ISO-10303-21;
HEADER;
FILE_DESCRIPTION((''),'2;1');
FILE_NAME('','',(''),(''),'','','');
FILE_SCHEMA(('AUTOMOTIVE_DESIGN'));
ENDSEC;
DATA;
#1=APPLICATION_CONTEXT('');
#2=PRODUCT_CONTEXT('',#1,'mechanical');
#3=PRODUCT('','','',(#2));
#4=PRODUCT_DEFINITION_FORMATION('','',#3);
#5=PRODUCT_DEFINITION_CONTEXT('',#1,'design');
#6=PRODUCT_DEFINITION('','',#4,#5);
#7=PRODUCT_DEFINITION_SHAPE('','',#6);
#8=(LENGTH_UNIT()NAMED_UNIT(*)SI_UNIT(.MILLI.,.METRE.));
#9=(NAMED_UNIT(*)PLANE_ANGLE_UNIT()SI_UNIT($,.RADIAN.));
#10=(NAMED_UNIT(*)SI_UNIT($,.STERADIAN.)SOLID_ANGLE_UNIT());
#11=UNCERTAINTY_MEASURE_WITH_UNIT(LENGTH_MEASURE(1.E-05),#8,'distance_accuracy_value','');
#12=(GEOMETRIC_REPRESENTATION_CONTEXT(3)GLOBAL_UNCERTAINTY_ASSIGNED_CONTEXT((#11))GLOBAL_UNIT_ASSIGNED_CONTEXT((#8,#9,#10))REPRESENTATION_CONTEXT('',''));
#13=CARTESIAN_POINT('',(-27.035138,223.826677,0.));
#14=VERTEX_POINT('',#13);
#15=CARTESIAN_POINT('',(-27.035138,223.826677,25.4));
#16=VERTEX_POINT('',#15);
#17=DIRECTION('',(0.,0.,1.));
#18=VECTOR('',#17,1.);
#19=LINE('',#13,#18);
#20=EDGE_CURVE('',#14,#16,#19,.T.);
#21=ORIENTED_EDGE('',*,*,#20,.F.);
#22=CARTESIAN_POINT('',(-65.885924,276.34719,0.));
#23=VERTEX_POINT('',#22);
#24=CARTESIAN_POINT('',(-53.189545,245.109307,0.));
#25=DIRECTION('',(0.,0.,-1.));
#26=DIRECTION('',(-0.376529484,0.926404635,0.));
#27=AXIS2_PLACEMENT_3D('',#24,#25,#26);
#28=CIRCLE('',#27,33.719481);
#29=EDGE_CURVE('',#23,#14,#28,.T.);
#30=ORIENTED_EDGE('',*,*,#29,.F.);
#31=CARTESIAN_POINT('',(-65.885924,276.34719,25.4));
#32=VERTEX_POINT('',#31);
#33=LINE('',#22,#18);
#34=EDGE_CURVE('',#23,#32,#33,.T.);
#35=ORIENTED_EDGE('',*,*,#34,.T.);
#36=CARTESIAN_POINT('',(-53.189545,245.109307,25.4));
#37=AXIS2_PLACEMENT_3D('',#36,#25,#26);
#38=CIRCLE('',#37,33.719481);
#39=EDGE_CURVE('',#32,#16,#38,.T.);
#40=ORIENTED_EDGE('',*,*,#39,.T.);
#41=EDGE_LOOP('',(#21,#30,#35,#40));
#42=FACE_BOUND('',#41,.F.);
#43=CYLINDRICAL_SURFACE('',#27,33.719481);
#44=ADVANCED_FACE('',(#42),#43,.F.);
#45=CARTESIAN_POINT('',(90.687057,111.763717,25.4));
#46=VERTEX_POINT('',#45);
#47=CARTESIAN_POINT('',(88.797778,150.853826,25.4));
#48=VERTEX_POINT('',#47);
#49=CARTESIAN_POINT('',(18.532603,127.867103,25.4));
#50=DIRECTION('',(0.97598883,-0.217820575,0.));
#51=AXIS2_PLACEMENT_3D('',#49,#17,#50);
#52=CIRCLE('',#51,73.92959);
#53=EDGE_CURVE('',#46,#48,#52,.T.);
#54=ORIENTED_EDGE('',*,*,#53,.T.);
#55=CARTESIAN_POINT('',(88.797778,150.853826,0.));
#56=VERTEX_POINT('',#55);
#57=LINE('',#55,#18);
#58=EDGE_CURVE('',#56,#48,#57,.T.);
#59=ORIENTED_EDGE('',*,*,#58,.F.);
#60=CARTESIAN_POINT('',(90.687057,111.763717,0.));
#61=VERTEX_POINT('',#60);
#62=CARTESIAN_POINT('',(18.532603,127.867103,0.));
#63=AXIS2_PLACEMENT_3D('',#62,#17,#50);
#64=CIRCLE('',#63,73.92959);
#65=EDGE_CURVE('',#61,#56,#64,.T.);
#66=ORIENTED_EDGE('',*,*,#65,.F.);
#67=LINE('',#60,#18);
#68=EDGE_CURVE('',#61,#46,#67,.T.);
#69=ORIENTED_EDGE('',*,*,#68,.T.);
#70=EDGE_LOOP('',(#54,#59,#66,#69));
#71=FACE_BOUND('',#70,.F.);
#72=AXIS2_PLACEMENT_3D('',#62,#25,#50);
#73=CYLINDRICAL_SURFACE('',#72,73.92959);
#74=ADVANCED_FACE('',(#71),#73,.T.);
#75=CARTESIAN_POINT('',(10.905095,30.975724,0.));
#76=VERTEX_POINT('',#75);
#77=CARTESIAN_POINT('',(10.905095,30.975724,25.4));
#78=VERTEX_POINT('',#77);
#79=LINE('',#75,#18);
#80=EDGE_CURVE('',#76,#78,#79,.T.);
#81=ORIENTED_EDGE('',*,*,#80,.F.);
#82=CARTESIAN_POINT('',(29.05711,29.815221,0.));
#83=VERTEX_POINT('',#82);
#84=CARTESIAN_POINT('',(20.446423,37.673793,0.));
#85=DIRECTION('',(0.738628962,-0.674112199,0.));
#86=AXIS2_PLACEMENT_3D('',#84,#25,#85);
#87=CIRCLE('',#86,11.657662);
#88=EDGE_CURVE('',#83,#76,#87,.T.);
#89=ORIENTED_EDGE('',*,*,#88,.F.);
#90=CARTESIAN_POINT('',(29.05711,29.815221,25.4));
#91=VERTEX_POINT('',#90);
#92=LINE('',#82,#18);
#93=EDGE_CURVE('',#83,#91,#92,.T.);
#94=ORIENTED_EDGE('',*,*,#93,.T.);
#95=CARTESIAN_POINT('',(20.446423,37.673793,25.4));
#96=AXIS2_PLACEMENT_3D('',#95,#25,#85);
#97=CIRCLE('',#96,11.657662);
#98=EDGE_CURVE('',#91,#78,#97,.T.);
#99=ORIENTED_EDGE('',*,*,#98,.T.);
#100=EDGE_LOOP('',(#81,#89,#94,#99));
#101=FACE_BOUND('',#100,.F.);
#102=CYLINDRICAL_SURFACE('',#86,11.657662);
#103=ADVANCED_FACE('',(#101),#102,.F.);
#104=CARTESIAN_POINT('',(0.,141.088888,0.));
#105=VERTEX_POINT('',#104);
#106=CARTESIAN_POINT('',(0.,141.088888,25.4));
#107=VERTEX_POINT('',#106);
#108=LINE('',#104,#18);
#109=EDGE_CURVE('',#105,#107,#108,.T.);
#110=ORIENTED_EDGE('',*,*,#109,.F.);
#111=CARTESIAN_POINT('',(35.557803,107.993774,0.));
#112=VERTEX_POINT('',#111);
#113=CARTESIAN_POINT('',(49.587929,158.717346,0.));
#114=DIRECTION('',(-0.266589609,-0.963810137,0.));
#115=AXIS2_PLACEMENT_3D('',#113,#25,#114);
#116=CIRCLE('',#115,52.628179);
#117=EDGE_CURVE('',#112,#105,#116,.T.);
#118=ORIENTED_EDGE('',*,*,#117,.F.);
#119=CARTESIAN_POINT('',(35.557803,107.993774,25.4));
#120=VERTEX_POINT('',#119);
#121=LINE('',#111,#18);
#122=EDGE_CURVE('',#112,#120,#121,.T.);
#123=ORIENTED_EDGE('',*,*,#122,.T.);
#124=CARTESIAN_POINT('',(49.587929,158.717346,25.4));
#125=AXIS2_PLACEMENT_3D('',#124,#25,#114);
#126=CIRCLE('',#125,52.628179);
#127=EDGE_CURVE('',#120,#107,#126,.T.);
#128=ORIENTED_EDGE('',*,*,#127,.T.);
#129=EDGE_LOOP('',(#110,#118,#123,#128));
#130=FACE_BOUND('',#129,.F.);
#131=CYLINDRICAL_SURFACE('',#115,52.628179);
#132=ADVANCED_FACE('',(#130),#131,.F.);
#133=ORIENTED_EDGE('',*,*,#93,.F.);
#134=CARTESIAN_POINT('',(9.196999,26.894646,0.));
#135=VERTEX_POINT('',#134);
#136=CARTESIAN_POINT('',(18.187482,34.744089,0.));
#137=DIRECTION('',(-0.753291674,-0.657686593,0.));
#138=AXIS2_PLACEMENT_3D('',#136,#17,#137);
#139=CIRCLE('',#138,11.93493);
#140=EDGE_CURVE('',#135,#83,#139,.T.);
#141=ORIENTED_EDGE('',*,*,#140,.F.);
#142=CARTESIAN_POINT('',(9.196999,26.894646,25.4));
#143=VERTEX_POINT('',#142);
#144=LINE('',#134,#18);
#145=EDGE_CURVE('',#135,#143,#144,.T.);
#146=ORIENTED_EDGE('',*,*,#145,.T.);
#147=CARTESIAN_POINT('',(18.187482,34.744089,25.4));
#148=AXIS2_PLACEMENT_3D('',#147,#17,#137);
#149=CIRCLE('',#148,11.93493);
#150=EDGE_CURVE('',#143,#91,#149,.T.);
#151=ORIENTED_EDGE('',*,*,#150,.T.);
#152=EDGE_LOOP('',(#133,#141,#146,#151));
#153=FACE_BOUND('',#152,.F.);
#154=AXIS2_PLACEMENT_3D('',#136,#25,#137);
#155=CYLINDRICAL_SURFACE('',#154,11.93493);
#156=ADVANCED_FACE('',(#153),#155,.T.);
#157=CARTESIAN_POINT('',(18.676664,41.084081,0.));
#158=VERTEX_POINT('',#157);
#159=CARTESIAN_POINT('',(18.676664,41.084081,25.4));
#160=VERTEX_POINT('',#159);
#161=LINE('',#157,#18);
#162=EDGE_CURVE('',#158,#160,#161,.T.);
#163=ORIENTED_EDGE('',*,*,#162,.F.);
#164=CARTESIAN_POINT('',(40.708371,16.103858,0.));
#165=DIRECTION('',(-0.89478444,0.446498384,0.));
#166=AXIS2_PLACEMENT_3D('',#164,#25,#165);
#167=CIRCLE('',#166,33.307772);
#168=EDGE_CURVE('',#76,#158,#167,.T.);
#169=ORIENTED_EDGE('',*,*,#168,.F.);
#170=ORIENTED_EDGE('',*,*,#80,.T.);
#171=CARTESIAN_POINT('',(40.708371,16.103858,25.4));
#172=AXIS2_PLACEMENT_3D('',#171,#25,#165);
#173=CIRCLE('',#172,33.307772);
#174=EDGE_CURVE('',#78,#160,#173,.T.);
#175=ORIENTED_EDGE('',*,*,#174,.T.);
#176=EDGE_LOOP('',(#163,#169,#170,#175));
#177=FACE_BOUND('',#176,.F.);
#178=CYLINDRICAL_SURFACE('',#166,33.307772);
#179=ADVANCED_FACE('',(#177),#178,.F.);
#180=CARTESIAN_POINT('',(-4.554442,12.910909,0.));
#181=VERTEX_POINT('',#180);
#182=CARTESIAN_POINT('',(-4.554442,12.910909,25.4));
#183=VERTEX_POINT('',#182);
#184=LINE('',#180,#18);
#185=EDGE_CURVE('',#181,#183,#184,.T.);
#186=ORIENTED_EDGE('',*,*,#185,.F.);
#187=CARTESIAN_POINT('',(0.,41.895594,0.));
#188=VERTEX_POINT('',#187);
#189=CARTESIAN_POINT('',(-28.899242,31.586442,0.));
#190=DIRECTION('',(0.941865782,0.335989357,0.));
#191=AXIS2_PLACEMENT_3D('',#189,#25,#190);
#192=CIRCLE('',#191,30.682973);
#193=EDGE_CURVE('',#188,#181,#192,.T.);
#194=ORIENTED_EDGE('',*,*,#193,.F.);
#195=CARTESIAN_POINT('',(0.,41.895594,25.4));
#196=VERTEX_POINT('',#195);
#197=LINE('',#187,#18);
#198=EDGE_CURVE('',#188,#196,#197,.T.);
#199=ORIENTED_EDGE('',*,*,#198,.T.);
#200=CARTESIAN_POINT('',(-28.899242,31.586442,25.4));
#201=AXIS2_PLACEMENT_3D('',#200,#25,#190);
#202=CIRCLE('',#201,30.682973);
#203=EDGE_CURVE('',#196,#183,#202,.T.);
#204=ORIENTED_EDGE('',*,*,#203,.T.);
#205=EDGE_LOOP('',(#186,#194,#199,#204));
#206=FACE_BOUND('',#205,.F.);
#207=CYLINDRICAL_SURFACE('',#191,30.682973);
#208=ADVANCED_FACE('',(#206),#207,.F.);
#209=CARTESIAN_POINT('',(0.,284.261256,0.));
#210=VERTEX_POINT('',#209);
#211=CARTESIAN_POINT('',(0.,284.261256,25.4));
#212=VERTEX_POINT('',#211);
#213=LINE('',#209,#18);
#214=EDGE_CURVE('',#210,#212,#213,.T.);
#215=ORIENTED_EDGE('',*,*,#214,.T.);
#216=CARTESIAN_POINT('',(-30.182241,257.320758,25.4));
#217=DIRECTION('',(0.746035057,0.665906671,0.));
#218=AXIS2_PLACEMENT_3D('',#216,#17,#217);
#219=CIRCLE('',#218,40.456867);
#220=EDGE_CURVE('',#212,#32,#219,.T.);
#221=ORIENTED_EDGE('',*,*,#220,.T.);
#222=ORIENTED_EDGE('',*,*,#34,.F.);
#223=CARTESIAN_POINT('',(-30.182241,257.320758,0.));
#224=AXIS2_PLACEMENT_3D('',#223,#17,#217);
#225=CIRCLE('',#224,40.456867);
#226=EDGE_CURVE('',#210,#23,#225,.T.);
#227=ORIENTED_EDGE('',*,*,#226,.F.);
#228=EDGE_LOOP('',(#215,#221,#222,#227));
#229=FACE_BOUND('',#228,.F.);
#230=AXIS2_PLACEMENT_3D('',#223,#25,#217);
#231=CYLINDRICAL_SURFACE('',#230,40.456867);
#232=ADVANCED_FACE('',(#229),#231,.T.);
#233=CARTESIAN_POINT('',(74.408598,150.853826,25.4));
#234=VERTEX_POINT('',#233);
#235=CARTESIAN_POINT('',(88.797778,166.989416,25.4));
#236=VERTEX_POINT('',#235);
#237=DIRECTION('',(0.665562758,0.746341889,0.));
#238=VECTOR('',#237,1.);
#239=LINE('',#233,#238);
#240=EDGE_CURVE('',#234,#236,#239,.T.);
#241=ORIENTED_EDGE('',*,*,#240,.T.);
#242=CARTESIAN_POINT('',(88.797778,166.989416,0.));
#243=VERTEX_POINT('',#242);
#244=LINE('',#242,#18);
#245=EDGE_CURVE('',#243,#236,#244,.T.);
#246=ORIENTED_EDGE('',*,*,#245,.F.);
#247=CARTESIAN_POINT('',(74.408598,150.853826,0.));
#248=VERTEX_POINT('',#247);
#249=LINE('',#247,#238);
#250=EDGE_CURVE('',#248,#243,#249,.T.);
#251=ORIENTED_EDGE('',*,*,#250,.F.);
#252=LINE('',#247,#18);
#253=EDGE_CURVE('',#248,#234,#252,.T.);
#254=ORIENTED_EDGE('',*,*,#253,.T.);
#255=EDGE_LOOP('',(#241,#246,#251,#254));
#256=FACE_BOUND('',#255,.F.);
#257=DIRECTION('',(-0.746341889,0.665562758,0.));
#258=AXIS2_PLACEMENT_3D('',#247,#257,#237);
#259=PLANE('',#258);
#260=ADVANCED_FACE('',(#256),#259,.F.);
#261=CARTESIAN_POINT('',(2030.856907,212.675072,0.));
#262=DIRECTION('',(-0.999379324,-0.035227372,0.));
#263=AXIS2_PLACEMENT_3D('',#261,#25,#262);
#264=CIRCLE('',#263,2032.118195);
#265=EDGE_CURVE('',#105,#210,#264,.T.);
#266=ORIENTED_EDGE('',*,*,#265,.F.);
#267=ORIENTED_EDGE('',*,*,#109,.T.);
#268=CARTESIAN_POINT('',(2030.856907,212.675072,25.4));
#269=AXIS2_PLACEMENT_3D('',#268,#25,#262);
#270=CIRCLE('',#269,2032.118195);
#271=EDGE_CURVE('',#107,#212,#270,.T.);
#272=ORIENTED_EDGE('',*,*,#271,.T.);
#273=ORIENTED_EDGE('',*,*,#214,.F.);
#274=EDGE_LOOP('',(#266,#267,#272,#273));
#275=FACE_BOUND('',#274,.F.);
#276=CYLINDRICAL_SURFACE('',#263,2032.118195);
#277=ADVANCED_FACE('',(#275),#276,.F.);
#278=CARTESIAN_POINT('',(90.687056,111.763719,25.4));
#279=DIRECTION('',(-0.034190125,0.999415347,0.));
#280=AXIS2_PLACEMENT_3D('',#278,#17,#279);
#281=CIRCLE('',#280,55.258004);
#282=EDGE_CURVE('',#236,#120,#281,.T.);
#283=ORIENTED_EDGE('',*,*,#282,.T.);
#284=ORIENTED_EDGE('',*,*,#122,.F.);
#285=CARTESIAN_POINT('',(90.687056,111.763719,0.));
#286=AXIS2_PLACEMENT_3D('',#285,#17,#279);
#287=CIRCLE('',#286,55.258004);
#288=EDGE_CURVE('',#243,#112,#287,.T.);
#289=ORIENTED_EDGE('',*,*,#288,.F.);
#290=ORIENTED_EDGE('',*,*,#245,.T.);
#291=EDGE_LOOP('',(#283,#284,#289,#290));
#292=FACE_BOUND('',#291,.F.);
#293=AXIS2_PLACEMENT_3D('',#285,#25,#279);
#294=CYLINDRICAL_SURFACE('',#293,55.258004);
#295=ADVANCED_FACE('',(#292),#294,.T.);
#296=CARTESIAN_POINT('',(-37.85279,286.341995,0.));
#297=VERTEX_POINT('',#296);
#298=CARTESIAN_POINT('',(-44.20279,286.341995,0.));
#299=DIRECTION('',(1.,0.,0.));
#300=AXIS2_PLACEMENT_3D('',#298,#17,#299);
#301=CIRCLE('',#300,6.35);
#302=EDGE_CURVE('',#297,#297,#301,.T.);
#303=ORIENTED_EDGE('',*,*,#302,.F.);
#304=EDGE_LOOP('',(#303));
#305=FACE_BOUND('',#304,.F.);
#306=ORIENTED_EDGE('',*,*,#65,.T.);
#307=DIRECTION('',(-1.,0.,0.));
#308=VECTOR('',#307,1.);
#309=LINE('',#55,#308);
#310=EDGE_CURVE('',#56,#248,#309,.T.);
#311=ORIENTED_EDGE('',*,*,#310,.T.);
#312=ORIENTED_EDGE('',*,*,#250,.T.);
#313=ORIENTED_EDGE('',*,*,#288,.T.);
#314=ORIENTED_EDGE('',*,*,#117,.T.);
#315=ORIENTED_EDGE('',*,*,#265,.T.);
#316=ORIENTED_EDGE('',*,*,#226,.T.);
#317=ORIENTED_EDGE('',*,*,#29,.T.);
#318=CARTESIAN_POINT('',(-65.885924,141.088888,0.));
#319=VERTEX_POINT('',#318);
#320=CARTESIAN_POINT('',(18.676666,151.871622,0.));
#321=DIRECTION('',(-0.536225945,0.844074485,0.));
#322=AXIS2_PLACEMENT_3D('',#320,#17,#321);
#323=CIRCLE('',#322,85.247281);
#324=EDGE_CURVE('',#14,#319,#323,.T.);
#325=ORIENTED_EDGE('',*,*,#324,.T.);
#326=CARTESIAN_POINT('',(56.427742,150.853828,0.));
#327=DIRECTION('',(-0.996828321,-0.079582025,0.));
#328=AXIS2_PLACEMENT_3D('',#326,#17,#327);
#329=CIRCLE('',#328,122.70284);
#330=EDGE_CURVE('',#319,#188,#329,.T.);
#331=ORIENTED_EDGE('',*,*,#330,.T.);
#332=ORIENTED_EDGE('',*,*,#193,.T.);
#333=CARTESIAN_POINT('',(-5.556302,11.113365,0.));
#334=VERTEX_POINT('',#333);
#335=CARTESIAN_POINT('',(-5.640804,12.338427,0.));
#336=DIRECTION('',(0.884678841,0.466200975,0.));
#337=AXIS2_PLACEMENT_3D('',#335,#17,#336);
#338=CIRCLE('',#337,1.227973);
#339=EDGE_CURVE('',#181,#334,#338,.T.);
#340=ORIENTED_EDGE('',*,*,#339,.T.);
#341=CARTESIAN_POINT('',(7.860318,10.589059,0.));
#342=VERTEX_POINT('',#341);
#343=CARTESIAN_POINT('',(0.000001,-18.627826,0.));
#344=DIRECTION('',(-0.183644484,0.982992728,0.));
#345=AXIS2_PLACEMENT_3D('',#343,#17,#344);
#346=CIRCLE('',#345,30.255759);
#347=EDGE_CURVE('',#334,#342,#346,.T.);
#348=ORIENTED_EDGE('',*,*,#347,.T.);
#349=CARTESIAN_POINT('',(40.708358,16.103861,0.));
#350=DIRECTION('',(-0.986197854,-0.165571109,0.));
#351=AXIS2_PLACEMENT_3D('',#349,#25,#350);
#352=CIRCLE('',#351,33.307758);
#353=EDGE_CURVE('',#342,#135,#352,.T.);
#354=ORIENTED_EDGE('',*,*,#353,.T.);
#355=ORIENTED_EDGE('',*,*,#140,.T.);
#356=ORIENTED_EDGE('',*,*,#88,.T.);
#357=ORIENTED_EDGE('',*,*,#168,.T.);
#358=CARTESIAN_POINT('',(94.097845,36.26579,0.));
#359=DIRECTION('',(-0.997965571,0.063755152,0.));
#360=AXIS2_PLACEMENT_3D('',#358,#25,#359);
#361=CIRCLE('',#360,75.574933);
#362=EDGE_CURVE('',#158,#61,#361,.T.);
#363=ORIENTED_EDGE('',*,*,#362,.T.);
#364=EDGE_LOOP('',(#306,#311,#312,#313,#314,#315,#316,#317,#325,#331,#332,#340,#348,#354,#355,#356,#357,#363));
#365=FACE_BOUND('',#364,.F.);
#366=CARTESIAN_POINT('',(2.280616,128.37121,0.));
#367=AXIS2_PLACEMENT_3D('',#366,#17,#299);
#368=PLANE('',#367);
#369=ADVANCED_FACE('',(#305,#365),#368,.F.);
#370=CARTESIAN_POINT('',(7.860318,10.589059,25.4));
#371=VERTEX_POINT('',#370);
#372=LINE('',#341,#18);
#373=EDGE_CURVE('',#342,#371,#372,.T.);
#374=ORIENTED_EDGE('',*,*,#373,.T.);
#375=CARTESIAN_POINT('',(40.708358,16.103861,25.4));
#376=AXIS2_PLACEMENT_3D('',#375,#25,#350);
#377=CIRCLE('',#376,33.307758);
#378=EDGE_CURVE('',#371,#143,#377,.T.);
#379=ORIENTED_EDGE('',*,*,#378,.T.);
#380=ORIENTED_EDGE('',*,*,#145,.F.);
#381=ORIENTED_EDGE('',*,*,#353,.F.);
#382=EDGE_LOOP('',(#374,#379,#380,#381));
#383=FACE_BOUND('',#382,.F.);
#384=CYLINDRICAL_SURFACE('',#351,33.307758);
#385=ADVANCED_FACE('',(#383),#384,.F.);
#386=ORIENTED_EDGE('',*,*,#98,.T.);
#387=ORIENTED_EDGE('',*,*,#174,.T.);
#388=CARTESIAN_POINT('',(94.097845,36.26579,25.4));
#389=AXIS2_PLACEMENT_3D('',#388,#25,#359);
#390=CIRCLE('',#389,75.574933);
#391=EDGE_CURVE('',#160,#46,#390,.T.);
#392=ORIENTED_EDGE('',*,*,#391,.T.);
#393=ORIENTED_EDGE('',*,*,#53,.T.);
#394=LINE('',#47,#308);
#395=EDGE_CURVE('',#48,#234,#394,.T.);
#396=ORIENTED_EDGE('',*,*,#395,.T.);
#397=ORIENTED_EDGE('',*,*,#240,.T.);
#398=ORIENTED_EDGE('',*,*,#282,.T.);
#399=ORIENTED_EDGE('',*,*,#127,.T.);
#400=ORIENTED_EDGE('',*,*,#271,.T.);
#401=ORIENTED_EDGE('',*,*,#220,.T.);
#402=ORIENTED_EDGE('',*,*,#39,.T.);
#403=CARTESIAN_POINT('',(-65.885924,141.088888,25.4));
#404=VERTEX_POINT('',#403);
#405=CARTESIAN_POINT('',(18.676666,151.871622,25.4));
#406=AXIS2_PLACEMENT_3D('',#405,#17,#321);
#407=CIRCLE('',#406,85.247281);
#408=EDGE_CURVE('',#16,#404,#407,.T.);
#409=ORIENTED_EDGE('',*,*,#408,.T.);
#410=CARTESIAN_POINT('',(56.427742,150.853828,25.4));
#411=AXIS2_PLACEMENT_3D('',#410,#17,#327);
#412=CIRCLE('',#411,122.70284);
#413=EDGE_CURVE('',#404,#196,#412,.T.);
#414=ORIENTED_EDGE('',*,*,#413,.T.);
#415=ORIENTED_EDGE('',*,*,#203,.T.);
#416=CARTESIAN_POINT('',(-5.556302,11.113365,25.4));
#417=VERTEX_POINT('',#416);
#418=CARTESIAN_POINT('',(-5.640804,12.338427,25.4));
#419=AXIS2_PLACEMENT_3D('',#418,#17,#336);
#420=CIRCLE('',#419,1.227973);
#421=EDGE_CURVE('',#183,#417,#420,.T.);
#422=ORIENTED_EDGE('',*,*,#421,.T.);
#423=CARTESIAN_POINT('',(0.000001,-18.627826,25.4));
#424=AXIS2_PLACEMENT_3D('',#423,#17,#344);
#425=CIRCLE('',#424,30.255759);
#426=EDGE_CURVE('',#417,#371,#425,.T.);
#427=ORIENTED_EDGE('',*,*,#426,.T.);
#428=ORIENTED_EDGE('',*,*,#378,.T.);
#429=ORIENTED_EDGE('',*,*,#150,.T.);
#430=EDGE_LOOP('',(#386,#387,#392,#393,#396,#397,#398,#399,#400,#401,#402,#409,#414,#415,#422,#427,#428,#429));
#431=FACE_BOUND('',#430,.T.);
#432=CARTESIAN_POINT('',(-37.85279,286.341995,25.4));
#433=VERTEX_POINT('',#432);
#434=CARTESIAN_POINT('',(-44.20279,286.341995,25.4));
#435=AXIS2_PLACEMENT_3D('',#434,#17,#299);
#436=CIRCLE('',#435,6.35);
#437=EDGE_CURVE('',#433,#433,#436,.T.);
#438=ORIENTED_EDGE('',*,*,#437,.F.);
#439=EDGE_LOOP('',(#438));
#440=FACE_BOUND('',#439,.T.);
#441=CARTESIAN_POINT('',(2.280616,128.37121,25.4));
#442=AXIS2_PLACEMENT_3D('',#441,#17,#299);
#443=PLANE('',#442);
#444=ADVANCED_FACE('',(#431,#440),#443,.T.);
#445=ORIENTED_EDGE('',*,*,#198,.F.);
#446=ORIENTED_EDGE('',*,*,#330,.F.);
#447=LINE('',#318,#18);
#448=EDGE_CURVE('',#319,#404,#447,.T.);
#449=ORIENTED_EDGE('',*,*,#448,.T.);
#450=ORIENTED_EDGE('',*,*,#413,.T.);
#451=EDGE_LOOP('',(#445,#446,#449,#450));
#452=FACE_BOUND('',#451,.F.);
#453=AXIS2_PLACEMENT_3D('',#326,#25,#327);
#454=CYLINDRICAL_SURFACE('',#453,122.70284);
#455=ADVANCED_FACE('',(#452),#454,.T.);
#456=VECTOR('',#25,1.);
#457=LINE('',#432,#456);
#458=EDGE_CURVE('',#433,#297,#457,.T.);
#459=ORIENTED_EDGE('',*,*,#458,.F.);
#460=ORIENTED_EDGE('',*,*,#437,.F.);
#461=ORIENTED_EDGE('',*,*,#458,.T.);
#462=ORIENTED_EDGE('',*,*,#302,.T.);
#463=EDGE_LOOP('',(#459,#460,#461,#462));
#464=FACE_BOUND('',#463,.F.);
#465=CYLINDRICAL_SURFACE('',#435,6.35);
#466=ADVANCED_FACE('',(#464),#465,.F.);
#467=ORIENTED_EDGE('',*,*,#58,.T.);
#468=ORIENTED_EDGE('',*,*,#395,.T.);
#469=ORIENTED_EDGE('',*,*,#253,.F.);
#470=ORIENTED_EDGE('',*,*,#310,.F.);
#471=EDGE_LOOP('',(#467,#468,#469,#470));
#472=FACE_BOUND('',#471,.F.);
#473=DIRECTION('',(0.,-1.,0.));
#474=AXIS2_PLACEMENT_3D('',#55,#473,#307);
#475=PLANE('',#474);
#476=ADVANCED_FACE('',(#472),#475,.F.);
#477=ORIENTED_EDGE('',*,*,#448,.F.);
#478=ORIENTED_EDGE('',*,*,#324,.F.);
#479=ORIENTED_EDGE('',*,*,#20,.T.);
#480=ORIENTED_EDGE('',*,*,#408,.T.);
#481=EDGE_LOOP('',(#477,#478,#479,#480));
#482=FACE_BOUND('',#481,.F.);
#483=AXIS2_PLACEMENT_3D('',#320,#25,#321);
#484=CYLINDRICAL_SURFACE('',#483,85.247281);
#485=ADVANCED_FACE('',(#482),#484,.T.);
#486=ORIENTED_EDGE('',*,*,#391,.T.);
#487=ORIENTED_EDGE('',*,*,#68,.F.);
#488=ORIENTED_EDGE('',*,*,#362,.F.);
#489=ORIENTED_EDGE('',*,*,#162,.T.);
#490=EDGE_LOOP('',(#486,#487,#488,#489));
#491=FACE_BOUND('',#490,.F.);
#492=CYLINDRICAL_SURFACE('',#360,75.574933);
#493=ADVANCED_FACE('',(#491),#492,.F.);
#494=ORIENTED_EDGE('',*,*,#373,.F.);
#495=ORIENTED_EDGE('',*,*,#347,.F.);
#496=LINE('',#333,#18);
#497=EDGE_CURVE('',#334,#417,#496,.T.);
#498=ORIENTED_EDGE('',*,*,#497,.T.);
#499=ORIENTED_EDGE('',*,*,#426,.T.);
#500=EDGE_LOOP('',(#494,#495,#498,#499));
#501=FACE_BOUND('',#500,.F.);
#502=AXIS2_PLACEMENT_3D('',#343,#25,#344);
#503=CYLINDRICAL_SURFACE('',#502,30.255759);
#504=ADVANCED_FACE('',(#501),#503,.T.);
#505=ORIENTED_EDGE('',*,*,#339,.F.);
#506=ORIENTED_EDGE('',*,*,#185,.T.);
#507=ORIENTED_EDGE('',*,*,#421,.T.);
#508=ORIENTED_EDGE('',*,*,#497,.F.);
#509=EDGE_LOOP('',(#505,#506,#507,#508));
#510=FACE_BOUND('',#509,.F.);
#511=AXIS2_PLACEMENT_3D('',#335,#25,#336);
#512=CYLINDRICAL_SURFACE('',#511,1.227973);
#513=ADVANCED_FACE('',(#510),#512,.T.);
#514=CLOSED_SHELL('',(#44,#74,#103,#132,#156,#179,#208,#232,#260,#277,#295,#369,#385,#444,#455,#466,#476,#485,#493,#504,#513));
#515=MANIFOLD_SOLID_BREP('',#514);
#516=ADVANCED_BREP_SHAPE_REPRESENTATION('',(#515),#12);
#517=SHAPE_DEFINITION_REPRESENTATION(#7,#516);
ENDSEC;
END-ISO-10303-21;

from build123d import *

# Parameters (mm, degrees)
F1_DEPTH = 25.4
F2_R     = 6.35
F3_DEPTH = 25.4


with BuildPart() as f1:
    # F0 (on Top) → F1 (new body)
    with BuildSketch(Plane.XY):
        with BuildLine():
            ThreePointArc((0, 41.895594), (1.411812, 26.823584), (-4.554442, 12.910909))
            ThreePointArc((-4.554442, 12.910909), (-6.713427, 12.936253), (-5.556302, 11.113365))
            ThreePointArc((-5.556302, 11.113365), (-1.181459, -48.860509), (7.860318, 10.589059))
            ThreePointArc((7.860318, 10.589059), (7.511956, 18.825198), (9.196999, 26.894646))
            ThreePointArc((9.196999, 26.894646), (19.923926, 22.936155), (29.05711, 29.815221))
            ThreePointArc((29.05711, 29.815221), (19.702639, 26.039883), (10.905095, 30.975724))
            ThreePointArc((10.905095, 30.975724), (14.302669, 36.405251), (18.676664, 41.084081))
            ThreePointArc((18.676664, 41.084081), (41.158988, 90.20138), (90.687057, 111.763717))
            ThreePointArc((90.687057, 111.763717), (92.375997, 131.436056), (88.797778, 150.853826))
            Line((88.797778, 150.853826), (74.408598, 150.853826))
            Line((74.408598, 150.853826), (88.797778, 166.989416))
            ThreePointArc((88.797778, 166.989416), (49.663896, 148.784623), (35.557803, 107.993774))
            ThreePointArc((35.557803, 107.993774), (13.732164, 120.193466), (0, 141.088888))
            ThreePointArc((0, 141.088888), (-1.261288, 212.675072), (0, 284.261256))
            ThreePointArc((0, 284.261256), (-35.007144, 297.488885), (-65.885924, 276.34719))
            ThreePointArc((-65.885924, 276.34719), (-26.080862, 265.162303), (-27.035138, 223.826677))
            ThreePointArc((-27.035138, 223.826677), (-58.487055, 188.10502), (-65.885924, 141.088888))
            ThreePointArc((-65.885924, 141.088888), (-45.782581, 82.963941), (0, 41.895594))
        make_face()
    extrude(amount=F1_DEPTH)

    # F2 (on face) → F3 (cut)
    with BuildSketch(Plane.XY.offset(25.4)):
        with Locations((-44.20279, 286.341995)):
            Circle(F2_R)
    extrude(amount=-F3_DEPTH, mode=Mode.SUBTRACT)


solid = f1.part
